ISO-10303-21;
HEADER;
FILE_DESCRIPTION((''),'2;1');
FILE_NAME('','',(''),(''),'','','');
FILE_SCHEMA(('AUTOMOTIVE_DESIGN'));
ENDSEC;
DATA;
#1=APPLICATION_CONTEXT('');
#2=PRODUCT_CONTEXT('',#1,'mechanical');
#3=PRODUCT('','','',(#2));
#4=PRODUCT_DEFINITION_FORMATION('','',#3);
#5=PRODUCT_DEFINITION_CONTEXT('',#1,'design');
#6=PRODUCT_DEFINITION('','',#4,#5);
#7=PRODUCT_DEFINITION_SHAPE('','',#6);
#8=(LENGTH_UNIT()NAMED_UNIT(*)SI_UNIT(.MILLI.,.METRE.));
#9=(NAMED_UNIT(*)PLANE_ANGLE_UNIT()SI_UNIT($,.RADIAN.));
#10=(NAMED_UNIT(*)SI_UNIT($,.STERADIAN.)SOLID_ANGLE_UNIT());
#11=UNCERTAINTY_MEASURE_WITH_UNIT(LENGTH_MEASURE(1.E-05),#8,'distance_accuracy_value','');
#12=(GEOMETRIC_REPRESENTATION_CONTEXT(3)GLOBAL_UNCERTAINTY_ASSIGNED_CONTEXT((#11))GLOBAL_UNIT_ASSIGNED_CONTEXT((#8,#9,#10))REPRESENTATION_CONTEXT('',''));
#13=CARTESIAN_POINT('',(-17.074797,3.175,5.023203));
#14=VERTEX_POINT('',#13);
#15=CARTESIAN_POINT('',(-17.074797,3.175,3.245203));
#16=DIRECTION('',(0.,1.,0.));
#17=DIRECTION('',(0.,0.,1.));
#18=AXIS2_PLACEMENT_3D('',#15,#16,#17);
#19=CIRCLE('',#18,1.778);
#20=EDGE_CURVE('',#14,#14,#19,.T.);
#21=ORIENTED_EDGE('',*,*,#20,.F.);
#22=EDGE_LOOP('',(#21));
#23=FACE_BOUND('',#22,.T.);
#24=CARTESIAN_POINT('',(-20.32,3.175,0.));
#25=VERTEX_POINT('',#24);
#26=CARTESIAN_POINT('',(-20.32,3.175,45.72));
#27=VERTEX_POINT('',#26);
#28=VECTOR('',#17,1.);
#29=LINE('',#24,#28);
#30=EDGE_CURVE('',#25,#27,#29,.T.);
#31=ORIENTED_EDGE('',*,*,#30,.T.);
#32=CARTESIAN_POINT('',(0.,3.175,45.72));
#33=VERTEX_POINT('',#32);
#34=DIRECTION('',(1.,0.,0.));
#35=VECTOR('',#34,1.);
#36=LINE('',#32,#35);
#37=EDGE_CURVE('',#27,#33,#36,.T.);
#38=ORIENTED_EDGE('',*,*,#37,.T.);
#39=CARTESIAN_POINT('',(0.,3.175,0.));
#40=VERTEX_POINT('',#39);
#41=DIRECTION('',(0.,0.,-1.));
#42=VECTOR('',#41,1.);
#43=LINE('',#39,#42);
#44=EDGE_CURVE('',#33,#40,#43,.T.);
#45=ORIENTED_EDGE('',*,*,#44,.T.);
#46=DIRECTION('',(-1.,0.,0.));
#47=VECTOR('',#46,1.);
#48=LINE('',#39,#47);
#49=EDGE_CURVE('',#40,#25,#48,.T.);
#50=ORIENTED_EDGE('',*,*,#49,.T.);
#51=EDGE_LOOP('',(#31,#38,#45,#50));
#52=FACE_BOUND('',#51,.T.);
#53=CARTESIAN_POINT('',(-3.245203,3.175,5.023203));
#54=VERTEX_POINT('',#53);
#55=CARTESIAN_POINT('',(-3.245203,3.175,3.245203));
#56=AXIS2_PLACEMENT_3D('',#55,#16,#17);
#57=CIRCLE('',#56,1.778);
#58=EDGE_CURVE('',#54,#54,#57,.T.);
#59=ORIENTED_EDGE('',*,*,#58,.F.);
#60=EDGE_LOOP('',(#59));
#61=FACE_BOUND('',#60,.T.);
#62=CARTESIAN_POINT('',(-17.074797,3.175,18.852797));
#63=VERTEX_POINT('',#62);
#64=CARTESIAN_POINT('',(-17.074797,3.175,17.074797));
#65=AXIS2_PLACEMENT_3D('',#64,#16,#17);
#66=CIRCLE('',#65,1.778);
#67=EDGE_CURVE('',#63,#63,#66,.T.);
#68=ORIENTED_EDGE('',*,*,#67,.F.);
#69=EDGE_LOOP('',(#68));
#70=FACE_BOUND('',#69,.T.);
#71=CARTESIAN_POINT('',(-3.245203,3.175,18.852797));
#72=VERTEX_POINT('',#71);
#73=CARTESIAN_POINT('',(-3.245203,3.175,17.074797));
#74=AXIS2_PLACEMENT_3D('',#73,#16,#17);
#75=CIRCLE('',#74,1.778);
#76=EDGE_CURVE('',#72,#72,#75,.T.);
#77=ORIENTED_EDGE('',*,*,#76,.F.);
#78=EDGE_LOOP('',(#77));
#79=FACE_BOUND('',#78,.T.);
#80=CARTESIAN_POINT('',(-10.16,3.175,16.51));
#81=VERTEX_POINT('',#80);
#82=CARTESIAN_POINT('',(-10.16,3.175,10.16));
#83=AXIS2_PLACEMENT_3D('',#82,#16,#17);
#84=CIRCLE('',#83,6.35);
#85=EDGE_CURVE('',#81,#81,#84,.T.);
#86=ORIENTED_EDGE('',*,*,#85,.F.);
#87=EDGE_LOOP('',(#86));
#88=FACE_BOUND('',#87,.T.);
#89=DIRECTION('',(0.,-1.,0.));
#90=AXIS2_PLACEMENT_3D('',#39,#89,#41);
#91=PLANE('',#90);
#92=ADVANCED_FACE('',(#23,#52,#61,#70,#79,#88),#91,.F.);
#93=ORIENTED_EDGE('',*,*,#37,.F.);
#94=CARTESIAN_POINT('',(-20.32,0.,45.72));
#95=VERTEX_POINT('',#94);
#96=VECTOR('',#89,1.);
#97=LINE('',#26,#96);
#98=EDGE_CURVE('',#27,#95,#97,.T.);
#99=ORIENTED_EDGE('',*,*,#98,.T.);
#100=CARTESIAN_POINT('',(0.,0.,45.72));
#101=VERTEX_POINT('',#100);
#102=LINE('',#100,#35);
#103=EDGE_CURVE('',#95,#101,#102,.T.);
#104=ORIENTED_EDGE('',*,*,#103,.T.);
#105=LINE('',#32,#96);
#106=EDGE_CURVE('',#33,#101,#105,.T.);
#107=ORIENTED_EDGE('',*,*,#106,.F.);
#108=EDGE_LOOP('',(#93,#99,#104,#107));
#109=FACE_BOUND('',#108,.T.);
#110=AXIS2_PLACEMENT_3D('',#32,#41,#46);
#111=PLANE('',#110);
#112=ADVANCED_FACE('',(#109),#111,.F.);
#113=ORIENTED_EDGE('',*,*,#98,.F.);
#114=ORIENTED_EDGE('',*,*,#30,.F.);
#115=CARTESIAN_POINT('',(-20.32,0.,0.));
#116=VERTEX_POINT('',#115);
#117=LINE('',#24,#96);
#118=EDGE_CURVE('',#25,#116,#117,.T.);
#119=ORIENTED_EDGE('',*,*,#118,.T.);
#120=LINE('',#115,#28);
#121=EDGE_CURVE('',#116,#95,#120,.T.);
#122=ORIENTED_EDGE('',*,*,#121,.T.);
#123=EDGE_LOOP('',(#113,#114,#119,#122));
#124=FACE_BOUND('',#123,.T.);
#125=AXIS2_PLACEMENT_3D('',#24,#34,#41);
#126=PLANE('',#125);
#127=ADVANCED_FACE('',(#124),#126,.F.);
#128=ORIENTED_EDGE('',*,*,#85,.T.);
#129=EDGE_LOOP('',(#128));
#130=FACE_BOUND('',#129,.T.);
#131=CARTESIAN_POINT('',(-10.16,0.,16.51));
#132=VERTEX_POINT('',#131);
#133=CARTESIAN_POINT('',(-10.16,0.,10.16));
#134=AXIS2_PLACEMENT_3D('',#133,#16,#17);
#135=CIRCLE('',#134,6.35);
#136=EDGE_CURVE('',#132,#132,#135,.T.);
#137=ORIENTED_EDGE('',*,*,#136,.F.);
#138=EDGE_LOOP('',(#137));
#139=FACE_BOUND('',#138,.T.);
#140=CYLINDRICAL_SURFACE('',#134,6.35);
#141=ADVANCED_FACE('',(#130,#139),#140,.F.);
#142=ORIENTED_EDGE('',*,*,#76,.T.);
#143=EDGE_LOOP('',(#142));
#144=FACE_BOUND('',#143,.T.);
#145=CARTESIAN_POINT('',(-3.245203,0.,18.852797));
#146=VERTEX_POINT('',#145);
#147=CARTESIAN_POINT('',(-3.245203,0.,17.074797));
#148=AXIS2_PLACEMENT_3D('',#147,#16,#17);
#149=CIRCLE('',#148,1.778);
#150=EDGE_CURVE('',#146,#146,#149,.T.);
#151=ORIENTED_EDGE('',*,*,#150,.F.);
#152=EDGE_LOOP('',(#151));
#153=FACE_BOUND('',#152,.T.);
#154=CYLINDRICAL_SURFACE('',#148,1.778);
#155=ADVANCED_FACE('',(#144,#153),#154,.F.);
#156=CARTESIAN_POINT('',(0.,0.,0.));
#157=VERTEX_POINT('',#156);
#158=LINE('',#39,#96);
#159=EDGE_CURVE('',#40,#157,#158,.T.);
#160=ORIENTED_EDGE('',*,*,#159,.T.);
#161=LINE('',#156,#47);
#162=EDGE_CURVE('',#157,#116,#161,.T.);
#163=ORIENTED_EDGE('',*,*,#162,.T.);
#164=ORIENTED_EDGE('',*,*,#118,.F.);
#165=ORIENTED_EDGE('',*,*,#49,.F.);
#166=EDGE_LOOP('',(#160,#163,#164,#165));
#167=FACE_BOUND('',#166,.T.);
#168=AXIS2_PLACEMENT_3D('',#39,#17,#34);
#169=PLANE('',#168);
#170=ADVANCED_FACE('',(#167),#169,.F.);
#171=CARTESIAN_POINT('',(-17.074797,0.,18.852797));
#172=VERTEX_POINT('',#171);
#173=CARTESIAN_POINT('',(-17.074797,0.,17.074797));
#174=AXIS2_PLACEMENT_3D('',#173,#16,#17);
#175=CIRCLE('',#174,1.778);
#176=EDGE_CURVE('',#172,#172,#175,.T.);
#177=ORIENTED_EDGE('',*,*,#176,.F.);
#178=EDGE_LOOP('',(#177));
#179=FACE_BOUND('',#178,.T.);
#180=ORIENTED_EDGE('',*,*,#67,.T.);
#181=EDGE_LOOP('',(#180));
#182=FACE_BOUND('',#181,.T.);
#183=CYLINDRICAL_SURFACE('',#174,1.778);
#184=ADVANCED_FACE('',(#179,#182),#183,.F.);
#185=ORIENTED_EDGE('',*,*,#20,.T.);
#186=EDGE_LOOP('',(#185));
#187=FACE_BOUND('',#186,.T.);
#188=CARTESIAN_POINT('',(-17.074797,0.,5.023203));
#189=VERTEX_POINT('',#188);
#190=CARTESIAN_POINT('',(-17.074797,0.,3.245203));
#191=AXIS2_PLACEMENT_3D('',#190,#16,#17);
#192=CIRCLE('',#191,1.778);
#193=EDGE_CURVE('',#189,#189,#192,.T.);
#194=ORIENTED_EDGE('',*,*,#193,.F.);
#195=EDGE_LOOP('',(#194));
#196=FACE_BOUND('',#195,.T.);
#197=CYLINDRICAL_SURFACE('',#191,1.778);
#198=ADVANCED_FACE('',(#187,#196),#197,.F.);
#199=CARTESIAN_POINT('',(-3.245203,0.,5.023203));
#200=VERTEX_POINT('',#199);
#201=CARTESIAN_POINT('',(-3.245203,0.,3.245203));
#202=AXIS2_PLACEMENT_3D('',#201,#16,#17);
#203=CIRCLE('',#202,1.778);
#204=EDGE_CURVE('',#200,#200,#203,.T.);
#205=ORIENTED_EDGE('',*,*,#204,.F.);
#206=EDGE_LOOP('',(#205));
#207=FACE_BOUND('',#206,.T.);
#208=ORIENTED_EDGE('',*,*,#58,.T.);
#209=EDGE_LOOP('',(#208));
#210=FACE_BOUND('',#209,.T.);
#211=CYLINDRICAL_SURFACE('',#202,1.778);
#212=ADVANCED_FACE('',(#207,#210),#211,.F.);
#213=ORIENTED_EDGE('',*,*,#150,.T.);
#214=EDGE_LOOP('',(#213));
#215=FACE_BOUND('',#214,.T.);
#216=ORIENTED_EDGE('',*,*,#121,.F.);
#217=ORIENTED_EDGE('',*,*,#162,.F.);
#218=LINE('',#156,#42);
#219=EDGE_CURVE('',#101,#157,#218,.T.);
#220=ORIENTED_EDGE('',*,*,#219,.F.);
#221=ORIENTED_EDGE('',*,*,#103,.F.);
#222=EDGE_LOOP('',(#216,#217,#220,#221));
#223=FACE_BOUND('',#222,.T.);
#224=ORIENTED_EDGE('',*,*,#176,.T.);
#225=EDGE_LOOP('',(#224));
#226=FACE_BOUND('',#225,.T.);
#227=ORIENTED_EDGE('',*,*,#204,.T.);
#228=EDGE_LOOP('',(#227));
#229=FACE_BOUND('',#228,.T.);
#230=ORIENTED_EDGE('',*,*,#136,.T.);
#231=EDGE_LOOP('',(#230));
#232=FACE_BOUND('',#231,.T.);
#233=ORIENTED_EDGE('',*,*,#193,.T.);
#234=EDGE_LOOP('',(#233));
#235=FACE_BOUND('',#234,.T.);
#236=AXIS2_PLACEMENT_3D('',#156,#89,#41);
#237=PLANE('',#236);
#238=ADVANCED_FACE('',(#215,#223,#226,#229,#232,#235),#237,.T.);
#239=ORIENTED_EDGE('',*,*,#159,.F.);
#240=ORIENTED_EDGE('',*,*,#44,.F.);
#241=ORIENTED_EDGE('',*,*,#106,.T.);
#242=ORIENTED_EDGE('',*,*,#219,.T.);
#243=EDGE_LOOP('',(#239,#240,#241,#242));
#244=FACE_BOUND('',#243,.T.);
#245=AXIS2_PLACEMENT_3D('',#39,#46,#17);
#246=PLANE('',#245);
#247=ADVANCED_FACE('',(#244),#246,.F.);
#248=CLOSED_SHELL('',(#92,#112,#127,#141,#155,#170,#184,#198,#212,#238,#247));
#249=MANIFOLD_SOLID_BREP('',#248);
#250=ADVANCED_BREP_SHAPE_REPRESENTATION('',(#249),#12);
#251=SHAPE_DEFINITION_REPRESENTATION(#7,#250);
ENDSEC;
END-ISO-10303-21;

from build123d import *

# Parameters (mm, degrees)
SKETCH2_W           = 20.32
SKETCH2_H           = 45.72
BOSS_EXTRUDE4_DEPTH = 3.175
SKETCH7_R           = 1.778
SKETCH7_R_2         = 6.35
CUT_EXTRUDE1_DEPTH  = 3.175


with BuildPart() as part:
    # Sketch2 → Boss-Extrude4 (new body)
    with BuildSketch(Plane(origin=(0, 0, 0), x_dir=(1, 0, 0), z_dir=(0, 1, 0))):
        with Locations((-10.16, -22.86)):
            Rectangle(SKETCH2_W, SKETCH2_H)
    extrude(amount=BOSS_EXTRUDE4_DEPTH)

    # Sketch7 → Cut-Extrude1 (cut)
    with BuildSketch(Plane(origin=(0, 3.175, 0), x_dir=(1, 0, 0), z_dir=(0, 1, 0))):
        with Locations(Location((-17.074797213, -17.074797213, 0), (0, 0, 270))):
            Circle(SKETCH7_R)
        with Locations(Location((-3.245202787, -17.074797213, 0), (0, 0, 270))):
            Circle(SKETCH7_R)
        with Locations(Location((-17.074797213, -3.245202787, 0), (0, 0, 270))):
            Circle(SKETCH7_R)
        with Locations(Location((-3.245202787, -3.245202787, 0), (0, 0, 270))):
            Circle(SKETCH7_R)
        with Locations(Location((-10.16, -10.16, 0), (0, 0, 270))):
            Circle(SKETCH7_R_2)
    extrude(amount=-CUT_EXTRUDE1_DEPTH, mode=Mode.SUBTRACT)


solid = part.part
